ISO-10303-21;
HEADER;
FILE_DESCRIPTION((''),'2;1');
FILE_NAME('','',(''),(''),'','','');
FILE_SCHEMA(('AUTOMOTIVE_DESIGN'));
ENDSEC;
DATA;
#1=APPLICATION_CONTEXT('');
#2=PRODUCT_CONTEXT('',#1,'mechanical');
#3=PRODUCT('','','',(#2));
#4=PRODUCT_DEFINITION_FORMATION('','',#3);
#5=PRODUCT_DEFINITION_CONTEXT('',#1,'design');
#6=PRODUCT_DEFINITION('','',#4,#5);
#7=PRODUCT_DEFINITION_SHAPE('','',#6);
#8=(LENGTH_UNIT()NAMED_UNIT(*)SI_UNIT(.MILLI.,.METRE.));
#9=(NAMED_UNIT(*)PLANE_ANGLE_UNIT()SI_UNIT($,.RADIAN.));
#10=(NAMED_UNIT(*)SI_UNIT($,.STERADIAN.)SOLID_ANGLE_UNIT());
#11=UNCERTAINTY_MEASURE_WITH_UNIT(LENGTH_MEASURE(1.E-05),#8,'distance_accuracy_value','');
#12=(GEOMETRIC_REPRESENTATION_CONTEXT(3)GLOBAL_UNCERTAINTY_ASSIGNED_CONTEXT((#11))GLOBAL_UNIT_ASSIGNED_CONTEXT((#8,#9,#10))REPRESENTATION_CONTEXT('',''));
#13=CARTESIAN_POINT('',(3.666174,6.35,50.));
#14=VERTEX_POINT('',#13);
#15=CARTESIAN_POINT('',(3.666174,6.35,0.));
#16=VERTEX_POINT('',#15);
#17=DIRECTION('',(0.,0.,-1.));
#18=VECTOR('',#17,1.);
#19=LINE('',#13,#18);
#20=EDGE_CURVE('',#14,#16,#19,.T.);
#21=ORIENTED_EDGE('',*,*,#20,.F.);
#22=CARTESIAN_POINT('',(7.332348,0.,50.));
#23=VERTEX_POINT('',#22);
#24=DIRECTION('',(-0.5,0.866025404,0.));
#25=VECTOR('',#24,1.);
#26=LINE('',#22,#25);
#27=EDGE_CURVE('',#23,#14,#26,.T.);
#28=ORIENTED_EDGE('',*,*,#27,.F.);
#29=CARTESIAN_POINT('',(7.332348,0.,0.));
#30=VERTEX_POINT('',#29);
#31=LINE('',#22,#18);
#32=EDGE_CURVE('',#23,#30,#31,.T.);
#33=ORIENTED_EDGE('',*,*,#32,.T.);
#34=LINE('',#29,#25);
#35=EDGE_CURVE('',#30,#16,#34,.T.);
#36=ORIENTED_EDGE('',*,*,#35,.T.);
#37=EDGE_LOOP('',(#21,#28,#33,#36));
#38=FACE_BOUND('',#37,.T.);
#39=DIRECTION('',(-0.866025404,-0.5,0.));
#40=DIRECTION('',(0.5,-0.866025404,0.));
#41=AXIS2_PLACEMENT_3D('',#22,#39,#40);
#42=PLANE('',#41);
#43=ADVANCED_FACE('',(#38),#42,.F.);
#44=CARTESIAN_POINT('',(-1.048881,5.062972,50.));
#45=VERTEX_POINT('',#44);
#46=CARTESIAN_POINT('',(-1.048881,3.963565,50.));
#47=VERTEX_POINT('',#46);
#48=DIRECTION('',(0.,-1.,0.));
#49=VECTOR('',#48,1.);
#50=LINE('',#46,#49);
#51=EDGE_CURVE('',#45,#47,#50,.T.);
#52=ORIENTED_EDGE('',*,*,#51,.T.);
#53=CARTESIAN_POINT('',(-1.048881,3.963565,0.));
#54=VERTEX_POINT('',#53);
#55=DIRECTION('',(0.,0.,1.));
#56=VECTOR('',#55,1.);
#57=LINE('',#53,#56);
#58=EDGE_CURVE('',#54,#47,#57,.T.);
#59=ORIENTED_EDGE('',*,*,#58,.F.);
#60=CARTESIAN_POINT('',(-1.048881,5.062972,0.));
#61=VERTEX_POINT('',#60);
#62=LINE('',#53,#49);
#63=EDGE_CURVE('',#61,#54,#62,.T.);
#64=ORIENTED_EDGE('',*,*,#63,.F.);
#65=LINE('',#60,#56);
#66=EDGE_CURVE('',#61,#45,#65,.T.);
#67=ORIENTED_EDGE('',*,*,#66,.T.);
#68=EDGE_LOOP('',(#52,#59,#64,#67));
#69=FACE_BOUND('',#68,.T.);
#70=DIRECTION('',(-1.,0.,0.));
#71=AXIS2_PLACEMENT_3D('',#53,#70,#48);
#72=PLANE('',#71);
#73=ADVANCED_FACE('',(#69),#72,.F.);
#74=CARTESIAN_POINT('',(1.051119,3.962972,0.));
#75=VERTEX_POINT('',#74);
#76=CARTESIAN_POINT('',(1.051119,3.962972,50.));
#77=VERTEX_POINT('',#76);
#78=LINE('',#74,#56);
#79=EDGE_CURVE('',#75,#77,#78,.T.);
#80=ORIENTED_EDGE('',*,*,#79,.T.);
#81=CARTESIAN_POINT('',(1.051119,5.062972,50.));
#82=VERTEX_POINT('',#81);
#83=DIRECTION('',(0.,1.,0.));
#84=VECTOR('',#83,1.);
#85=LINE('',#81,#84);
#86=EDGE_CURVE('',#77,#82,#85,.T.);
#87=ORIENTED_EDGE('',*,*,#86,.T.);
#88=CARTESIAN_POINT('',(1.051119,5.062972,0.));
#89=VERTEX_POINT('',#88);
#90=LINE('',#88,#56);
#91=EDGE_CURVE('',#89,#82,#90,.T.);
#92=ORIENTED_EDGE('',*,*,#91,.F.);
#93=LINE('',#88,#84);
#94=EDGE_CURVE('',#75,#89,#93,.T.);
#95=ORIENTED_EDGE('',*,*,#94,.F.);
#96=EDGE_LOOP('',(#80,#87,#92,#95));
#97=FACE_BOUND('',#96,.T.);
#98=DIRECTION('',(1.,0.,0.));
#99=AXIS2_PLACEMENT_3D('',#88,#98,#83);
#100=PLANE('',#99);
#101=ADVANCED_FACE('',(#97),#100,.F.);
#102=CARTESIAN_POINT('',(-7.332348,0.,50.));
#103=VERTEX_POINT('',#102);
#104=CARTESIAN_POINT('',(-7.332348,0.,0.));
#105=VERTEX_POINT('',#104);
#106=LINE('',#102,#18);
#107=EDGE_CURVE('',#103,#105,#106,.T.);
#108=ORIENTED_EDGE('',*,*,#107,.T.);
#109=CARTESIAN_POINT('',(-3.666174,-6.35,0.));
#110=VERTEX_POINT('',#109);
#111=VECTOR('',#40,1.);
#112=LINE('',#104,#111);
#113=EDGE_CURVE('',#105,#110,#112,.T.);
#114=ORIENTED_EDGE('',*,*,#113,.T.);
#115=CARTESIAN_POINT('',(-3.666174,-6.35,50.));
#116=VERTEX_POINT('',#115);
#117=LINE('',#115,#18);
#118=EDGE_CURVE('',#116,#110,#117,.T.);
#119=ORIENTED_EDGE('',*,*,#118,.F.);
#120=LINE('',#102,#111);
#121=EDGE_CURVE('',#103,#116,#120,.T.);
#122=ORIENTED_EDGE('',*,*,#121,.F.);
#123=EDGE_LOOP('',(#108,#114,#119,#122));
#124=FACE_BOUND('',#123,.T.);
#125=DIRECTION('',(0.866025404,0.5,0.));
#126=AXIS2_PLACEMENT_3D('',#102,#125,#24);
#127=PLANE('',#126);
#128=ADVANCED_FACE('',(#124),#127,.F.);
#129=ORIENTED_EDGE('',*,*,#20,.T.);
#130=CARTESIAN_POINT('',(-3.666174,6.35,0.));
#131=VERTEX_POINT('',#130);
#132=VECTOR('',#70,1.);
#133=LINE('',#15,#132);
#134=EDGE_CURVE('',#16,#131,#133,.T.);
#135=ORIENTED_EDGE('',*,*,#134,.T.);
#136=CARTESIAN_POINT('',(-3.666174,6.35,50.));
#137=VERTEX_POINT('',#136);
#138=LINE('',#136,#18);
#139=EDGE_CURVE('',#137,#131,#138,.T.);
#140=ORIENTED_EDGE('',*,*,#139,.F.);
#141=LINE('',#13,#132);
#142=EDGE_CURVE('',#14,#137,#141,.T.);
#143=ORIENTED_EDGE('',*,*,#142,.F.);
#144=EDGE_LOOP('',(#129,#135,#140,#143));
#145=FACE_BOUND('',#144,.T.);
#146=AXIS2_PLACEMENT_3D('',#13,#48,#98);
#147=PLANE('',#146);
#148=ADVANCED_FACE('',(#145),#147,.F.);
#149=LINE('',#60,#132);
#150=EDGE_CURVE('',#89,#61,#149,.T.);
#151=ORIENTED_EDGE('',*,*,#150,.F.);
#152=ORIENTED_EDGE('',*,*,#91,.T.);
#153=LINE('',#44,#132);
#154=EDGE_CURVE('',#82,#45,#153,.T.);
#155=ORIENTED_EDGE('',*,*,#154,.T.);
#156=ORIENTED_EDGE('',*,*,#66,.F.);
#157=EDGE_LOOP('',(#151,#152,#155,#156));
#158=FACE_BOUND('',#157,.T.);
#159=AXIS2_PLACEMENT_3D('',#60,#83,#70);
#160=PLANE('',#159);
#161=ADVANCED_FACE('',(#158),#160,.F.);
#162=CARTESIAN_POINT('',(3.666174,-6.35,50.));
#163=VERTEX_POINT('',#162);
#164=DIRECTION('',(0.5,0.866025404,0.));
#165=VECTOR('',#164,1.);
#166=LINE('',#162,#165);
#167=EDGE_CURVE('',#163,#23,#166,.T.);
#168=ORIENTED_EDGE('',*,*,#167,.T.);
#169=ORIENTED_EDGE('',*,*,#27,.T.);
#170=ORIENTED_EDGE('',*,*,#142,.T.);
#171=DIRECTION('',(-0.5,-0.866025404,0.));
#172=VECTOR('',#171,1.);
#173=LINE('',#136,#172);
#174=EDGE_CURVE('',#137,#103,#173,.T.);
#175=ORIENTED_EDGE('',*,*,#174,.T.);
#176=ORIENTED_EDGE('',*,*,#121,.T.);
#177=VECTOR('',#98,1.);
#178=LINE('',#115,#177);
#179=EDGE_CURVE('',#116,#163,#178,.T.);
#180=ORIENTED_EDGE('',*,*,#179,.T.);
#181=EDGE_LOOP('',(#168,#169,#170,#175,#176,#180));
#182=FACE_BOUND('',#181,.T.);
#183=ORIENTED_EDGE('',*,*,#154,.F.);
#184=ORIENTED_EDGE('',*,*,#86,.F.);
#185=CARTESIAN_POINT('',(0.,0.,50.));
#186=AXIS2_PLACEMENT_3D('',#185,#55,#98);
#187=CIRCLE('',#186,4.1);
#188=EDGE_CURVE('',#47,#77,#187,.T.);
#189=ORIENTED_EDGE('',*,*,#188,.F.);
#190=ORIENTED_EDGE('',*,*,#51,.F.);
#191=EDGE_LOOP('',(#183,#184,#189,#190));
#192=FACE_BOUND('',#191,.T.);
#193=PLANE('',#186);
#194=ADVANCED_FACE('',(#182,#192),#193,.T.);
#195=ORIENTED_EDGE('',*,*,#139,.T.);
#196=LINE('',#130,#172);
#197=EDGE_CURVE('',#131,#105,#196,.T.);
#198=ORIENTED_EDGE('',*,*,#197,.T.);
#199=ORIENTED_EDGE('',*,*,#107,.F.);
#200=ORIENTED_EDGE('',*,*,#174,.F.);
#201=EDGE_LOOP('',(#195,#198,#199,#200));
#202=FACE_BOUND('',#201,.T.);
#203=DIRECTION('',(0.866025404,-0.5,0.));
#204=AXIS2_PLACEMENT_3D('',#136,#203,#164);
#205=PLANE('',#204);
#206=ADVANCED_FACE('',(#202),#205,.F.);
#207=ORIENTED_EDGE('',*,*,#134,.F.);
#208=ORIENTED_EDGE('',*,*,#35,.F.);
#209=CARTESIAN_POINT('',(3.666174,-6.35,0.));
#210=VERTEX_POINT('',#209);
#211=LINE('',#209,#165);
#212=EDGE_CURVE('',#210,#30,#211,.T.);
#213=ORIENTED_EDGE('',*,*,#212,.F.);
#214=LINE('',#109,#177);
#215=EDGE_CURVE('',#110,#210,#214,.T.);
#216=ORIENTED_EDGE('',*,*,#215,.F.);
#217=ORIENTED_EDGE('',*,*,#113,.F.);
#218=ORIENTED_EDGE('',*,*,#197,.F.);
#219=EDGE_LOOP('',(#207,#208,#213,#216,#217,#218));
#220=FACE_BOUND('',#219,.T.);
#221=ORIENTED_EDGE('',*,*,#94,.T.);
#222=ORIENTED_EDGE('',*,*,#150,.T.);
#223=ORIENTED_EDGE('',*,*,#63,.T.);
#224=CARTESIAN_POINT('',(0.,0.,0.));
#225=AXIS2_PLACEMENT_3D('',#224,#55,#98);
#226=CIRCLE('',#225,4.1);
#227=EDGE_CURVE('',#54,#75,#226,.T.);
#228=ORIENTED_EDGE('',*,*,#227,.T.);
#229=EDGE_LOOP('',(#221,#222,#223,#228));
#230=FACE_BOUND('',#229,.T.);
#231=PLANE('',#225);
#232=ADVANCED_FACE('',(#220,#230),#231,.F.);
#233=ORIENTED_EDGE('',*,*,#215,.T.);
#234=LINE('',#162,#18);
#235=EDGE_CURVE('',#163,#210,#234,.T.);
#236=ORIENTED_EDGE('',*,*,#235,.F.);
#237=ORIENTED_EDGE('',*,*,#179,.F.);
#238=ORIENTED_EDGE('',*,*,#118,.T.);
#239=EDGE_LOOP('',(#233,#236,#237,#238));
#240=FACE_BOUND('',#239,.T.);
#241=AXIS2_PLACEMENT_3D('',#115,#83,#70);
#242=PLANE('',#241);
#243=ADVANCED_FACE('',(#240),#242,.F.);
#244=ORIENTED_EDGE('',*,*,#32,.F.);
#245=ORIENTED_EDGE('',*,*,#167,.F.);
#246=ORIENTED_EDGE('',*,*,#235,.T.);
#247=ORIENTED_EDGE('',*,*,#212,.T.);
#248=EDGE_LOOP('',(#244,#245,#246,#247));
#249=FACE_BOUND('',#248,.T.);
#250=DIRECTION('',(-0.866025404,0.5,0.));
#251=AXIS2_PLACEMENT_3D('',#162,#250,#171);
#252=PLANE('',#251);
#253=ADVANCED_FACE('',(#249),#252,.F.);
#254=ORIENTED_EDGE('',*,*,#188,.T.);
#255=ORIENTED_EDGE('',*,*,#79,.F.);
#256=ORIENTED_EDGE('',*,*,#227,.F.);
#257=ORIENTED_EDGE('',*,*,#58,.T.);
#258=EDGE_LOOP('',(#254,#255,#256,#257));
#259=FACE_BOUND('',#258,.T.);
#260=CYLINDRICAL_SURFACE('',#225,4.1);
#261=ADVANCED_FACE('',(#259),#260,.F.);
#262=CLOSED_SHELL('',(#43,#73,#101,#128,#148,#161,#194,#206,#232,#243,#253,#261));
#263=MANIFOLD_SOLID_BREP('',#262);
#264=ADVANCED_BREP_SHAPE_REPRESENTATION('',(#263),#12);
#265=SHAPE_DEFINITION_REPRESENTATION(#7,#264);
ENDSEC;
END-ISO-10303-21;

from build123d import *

# Parameters (mm, degrees)
BOSS_EXTRUDE1_DEPTH = 50
CUT_EXTRUDE1_DEPTH  = 51


with BuildPart() as part:
    # Sketch1 → Boss-Extrude1 (new body)
    with BuildSketch(Plane.XY):
        Polygon((7.332348419, 0), (3.666174209, 6.35), (-3.666174209, 6.35), (-7.332348419, 0), (-3.666174209, -6.35), (3.666174209, -6.35), align=None)
    extrude(amount=BOSS_EXTRUDE1_DEPTH)

    # Sketch2 → Cut-Extrude1 (cut, through all)
    with BuildSketch(Plane.XY.offset(50)):
        with BuildLine():
            Line((-1.048881406, 3.963565036), (-1.048881406, 5.062972332))
            Line((-1.048881406, 5.062972332), (1.051118594, 5.062972332))
            Line((1.051118594, 5.062972332), (1.051118594, 3.962972332))
            ThreePointArc((1.051118594, 3.962972332), (-0.001157185, -4.099999837), (-1.048881406, 3.963565036))
        make_face()
    extrude(amount=-CUT_EXTRUDE1_DEPTH, mode=Mode.SUBTRACT)


solid = part.part
